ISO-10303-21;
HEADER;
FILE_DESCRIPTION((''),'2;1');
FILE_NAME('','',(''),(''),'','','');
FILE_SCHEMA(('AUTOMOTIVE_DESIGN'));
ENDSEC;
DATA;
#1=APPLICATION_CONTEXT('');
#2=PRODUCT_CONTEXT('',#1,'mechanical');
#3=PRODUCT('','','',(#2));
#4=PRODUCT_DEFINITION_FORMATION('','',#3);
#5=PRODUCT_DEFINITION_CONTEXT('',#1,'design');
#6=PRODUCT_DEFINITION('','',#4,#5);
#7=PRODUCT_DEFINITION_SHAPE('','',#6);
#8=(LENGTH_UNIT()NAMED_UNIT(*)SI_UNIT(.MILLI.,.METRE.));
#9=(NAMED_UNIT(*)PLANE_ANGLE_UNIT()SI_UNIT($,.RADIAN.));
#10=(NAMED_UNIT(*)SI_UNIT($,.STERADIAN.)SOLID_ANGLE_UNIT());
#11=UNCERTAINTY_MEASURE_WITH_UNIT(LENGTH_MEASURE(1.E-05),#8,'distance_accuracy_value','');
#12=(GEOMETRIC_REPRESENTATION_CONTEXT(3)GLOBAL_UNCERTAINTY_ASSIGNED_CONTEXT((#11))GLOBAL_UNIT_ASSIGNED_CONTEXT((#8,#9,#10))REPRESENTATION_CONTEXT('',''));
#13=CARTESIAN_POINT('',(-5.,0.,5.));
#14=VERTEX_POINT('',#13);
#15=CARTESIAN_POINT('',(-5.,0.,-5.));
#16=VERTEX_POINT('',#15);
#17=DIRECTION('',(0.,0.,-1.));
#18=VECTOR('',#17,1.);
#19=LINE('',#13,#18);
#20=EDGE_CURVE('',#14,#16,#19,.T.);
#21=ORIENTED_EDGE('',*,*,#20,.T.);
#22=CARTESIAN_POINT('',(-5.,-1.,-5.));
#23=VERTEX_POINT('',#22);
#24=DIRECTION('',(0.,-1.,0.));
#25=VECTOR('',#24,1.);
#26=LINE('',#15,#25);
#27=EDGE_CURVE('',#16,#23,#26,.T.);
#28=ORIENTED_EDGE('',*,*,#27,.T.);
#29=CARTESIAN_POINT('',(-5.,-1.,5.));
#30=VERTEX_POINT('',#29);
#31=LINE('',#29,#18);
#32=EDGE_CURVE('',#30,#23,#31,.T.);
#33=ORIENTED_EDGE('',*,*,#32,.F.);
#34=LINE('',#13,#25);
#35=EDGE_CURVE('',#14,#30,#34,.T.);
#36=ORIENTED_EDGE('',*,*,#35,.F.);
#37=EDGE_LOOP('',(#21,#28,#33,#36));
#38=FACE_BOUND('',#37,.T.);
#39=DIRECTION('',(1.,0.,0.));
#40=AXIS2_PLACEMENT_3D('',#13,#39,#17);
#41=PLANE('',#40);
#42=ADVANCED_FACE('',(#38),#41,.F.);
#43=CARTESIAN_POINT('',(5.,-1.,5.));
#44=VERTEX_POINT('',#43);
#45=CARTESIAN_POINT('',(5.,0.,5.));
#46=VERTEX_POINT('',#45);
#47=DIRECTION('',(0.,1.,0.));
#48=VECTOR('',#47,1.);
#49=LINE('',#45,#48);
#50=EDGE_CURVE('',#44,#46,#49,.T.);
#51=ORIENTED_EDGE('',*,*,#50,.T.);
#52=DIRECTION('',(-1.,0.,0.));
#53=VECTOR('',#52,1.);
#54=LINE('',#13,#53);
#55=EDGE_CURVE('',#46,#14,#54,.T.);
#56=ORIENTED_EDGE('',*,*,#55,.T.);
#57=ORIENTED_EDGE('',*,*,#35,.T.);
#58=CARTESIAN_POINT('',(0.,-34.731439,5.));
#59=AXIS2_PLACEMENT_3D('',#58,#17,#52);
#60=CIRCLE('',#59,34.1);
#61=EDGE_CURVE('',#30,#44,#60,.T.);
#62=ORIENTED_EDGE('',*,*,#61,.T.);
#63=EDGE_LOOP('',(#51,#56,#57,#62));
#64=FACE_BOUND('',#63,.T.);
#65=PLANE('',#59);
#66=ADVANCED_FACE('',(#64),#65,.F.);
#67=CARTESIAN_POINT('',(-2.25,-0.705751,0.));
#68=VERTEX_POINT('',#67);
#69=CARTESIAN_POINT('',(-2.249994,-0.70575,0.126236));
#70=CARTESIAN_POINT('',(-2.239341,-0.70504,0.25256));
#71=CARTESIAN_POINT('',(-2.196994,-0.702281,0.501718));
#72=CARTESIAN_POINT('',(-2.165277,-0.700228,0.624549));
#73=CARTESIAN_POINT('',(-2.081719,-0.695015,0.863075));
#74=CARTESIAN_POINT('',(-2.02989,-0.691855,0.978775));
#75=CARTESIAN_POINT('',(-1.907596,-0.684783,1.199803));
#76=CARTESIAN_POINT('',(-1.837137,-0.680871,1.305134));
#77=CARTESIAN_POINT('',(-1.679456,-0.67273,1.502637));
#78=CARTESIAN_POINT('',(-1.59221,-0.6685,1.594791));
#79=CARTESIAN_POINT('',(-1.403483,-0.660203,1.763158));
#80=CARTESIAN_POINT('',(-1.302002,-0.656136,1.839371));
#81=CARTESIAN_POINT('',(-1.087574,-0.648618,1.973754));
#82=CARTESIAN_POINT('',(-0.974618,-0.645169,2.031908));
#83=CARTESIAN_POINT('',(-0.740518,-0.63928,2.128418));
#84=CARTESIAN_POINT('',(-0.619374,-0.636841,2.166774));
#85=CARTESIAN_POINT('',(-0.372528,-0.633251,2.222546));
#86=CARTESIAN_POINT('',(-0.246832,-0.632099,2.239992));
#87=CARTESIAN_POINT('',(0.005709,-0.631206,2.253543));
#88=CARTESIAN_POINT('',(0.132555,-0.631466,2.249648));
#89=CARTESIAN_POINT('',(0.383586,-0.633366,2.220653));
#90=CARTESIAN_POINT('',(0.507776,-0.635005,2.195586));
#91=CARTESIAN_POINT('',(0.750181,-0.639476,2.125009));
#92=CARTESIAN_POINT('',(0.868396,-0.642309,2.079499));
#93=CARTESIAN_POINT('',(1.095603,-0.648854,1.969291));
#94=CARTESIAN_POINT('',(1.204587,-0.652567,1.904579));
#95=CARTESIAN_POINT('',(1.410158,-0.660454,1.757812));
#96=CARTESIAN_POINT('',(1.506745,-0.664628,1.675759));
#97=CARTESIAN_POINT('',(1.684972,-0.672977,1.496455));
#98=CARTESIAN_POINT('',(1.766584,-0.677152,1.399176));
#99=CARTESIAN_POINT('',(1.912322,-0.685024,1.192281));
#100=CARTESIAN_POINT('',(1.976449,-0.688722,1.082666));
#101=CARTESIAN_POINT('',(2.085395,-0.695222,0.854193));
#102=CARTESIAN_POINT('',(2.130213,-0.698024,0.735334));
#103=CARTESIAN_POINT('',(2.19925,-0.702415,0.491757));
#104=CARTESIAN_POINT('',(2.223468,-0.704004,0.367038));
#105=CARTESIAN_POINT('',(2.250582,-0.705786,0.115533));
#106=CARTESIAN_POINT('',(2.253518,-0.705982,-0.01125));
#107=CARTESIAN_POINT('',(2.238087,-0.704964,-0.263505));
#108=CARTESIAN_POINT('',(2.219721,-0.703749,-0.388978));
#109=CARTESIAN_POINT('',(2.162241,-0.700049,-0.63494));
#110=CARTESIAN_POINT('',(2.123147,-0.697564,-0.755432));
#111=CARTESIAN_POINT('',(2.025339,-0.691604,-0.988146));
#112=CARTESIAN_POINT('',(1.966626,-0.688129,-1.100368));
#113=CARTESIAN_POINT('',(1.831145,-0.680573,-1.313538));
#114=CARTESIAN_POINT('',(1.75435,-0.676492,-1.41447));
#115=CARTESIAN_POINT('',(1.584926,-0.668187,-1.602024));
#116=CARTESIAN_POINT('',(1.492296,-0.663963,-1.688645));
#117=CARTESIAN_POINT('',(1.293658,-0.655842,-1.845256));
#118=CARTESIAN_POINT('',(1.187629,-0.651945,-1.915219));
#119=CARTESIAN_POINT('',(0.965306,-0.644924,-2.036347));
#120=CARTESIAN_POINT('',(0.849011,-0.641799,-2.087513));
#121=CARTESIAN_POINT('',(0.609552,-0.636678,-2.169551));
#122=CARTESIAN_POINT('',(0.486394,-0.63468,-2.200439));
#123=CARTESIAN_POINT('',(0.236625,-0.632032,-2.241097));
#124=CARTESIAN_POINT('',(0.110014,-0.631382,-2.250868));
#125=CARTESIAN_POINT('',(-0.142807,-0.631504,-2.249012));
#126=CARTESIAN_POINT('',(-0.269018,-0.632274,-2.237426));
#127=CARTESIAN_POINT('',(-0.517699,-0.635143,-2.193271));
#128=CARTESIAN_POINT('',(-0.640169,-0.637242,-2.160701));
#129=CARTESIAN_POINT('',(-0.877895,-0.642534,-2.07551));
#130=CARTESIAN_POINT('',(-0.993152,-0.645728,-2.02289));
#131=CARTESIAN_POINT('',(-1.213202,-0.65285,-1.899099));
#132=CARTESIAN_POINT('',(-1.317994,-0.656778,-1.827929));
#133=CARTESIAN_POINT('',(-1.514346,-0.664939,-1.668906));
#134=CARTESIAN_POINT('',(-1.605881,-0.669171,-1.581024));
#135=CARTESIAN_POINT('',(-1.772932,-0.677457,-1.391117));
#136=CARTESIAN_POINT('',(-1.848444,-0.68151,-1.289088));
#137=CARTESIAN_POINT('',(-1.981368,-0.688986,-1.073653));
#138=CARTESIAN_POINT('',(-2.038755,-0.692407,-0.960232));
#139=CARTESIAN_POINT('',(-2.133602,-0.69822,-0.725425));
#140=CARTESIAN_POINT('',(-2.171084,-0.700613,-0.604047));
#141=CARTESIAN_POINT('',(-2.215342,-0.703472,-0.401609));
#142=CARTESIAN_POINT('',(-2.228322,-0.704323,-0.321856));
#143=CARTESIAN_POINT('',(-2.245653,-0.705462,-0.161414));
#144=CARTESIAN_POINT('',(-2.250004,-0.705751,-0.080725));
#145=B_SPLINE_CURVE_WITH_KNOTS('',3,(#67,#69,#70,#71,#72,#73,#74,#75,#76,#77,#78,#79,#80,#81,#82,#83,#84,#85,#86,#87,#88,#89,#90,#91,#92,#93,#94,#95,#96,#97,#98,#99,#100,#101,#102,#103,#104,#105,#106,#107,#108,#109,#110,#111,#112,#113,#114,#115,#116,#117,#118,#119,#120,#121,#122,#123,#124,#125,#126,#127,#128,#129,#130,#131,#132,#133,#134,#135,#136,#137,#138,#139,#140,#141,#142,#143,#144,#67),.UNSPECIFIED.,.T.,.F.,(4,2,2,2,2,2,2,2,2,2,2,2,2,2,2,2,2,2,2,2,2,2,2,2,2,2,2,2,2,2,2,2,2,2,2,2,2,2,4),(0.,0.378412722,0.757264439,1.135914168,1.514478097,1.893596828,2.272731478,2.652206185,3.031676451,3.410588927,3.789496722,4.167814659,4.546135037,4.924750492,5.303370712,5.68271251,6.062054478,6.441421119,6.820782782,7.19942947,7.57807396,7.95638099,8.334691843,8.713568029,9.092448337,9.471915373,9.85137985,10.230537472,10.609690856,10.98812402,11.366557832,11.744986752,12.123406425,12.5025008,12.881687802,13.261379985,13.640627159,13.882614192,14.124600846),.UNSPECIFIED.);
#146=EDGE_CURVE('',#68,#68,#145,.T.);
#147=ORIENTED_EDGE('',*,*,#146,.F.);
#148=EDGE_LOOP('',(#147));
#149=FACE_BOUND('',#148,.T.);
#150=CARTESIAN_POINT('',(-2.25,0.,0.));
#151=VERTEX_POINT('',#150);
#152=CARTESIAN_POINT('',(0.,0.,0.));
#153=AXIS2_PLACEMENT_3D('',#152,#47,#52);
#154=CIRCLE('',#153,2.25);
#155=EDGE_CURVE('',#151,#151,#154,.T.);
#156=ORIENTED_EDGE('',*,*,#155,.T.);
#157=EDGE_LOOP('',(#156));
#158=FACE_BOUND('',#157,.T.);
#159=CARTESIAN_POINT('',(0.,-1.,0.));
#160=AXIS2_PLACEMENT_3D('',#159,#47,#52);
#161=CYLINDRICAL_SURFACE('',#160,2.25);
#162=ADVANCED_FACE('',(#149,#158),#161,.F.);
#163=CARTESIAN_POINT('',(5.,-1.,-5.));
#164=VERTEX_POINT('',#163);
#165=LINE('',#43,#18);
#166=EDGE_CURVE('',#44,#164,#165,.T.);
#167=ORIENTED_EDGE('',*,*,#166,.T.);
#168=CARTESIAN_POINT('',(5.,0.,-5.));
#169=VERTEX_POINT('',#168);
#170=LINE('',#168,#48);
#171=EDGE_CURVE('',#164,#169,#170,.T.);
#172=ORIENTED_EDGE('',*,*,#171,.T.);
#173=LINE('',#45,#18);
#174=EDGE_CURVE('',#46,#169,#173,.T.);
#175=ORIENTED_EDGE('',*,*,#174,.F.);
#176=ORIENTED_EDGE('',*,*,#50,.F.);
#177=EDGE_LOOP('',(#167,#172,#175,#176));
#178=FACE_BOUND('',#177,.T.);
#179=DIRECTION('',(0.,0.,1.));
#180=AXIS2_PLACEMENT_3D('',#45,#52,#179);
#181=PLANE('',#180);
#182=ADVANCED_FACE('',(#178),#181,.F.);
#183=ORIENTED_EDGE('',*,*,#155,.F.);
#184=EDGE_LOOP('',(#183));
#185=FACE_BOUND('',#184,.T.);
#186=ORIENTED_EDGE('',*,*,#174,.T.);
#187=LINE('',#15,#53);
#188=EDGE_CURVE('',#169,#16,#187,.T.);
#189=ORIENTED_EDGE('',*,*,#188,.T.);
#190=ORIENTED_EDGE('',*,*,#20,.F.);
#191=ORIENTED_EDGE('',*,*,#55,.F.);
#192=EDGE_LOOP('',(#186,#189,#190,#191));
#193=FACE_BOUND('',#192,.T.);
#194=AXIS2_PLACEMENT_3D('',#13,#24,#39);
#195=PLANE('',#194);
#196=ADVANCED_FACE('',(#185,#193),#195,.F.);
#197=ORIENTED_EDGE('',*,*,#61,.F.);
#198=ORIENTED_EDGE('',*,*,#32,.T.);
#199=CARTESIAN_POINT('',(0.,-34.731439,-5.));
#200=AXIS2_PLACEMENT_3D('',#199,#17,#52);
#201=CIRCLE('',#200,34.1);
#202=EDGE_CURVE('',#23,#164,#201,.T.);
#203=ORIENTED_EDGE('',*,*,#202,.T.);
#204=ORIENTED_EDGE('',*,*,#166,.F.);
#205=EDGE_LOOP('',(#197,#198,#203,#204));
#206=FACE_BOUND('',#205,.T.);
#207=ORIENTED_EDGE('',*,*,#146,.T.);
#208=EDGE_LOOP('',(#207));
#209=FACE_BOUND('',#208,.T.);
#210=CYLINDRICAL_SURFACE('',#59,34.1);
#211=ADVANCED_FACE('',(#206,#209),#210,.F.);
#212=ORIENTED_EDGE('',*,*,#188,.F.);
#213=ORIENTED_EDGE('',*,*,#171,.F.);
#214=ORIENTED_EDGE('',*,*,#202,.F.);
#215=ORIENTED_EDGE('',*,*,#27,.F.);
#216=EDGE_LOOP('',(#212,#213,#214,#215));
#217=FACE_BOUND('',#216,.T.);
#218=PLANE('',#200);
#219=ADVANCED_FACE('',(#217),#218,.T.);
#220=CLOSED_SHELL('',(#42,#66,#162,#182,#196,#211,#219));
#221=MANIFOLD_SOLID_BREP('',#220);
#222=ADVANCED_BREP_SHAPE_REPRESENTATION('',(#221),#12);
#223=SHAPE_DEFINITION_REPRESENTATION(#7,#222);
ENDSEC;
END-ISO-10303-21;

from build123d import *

# Parameters (mm, degrees)
BOSS_EXTRUDE1_DEPTH = 5
SKETCH2_R           = 2.25
CUT_EXTRUDE1_DEPTH  = 8.141428429


with BuildPart() as part:
    # Sketch1 → Boss-Extrude1 (new, symmetric)
    with BuildSketch(Plane.XY):
        with BuildLine():
            Line((-5, 0), (5, 0))
            Line((5, 0), (5, -1))
            ThreePointArc((5, -1), (0, -0.631439341), (-5, -1))
            Line((-5, -1), (-5, 0))
        make_face()
    extrude(amount=BOSS_EXTRUDE1_DEPTH, both=True)

    # Sketch2 → Cut-Extrude1 (cut, through all)
    with BuildSketch(Plane(origin=(0, 0, 0), x_dir=(1, 0, 0), z_dir=(0, 1, 0))):
        with Locations(Location((0, 0, 0), (0, 0, 180))):
            Circle(SKETCH2_R)
    extrude(amount=-CUT_EXTRUDE1_DEPTH, mode=Mode.SUBTRACT)


solid = part.part
